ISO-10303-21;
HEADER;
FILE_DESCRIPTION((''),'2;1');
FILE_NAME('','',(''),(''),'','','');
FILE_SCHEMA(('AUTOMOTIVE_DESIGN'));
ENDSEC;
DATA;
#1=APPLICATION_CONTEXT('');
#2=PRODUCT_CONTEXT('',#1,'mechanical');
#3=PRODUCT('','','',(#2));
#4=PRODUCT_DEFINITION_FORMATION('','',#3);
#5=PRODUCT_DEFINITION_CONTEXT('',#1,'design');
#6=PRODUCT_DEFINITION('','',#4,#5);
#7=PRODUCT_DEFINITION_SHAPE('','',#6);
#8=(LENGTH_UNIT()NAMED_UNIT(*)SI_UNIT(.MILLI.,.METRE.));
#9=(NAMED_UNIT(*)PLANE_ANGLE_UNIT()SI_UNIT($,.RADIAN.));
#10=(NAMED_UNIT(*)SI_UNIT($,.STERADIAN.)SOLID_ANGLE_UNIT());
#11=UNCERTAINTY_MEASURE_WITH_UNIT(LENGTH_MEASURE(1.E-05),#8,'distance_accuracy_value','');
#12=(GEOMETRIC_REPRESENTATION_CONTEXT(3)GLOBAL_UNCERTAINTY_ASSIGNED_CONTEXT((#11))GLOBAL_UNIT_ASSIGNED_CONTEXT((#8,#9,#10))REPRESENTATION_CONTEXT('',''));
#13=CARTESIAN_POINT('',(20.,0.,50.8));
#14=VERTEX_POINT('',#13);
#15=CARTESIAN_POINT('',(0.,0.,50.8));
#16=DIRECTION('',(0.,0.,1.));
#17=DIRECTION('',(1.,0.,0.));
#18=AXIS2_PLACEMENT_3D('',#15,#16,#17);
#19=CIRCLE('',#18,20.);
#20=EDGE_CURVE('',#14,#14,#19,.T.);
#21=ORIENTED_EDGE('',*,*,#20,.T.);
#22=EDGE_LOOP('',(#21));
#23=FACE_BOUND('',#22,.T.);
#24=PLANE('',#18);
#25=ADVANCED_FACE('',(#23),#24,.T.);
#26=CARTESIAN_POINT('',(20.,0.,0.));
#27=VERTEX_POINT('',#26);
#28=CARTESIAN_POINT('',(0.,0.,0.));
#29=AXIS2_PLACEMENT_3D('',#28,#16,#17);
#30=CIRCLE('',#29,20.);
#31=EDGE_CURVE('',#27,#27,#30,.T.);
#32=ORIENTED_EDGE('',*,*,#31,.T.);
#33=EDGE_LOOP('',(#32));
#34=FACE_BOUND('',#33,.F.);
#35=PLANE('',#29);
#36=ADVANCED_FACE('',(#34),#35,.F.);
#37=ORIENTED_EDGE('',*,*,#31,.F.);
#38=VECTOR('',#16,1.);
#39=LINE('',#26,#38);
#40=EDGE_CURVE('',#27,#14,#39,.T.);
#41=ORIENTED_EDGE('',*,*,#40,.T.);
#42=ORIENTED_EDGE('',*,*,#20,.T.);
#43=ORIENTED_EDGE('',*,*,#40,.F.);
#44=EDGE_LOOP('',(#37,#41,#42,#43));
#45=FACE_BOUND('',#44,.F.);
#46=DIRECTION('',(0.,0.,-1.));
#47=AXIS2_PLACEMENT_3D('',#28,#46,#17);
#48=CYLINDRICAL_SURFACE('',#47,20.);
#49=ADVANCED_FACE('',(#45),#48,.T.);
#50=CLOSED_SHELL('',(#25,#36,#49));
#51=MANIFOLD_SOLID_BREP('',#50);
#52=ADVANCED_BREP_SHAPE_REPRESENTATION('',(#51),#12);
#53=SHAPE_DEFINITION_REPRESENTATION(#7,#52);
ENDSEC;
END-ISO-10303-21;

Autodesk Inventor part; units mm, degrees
ref_plane "YZ Plane" through (0, 0, 0) normal (1, 0, 0) x (0, 1, 0)
ref_plane "XZ Plane" through (0, 0, 0) normal (0, 1, 0) x (-1, 0, 0)
ref_plane "XY Plane" through (0, 0, 0) normal (0, 0, 1) x (1, 0, 0)
sketch "Sketch1" plane through (0, 0, 0) normal (0, 0, 1) x (1, 0, 0)
  circle A0 centre (0, 0) radius 20
  dimension "d2" = 40
extrude "Extrusion1" add sketch "Sketch1" along normal blind 50.8
properties part number "steering column"
